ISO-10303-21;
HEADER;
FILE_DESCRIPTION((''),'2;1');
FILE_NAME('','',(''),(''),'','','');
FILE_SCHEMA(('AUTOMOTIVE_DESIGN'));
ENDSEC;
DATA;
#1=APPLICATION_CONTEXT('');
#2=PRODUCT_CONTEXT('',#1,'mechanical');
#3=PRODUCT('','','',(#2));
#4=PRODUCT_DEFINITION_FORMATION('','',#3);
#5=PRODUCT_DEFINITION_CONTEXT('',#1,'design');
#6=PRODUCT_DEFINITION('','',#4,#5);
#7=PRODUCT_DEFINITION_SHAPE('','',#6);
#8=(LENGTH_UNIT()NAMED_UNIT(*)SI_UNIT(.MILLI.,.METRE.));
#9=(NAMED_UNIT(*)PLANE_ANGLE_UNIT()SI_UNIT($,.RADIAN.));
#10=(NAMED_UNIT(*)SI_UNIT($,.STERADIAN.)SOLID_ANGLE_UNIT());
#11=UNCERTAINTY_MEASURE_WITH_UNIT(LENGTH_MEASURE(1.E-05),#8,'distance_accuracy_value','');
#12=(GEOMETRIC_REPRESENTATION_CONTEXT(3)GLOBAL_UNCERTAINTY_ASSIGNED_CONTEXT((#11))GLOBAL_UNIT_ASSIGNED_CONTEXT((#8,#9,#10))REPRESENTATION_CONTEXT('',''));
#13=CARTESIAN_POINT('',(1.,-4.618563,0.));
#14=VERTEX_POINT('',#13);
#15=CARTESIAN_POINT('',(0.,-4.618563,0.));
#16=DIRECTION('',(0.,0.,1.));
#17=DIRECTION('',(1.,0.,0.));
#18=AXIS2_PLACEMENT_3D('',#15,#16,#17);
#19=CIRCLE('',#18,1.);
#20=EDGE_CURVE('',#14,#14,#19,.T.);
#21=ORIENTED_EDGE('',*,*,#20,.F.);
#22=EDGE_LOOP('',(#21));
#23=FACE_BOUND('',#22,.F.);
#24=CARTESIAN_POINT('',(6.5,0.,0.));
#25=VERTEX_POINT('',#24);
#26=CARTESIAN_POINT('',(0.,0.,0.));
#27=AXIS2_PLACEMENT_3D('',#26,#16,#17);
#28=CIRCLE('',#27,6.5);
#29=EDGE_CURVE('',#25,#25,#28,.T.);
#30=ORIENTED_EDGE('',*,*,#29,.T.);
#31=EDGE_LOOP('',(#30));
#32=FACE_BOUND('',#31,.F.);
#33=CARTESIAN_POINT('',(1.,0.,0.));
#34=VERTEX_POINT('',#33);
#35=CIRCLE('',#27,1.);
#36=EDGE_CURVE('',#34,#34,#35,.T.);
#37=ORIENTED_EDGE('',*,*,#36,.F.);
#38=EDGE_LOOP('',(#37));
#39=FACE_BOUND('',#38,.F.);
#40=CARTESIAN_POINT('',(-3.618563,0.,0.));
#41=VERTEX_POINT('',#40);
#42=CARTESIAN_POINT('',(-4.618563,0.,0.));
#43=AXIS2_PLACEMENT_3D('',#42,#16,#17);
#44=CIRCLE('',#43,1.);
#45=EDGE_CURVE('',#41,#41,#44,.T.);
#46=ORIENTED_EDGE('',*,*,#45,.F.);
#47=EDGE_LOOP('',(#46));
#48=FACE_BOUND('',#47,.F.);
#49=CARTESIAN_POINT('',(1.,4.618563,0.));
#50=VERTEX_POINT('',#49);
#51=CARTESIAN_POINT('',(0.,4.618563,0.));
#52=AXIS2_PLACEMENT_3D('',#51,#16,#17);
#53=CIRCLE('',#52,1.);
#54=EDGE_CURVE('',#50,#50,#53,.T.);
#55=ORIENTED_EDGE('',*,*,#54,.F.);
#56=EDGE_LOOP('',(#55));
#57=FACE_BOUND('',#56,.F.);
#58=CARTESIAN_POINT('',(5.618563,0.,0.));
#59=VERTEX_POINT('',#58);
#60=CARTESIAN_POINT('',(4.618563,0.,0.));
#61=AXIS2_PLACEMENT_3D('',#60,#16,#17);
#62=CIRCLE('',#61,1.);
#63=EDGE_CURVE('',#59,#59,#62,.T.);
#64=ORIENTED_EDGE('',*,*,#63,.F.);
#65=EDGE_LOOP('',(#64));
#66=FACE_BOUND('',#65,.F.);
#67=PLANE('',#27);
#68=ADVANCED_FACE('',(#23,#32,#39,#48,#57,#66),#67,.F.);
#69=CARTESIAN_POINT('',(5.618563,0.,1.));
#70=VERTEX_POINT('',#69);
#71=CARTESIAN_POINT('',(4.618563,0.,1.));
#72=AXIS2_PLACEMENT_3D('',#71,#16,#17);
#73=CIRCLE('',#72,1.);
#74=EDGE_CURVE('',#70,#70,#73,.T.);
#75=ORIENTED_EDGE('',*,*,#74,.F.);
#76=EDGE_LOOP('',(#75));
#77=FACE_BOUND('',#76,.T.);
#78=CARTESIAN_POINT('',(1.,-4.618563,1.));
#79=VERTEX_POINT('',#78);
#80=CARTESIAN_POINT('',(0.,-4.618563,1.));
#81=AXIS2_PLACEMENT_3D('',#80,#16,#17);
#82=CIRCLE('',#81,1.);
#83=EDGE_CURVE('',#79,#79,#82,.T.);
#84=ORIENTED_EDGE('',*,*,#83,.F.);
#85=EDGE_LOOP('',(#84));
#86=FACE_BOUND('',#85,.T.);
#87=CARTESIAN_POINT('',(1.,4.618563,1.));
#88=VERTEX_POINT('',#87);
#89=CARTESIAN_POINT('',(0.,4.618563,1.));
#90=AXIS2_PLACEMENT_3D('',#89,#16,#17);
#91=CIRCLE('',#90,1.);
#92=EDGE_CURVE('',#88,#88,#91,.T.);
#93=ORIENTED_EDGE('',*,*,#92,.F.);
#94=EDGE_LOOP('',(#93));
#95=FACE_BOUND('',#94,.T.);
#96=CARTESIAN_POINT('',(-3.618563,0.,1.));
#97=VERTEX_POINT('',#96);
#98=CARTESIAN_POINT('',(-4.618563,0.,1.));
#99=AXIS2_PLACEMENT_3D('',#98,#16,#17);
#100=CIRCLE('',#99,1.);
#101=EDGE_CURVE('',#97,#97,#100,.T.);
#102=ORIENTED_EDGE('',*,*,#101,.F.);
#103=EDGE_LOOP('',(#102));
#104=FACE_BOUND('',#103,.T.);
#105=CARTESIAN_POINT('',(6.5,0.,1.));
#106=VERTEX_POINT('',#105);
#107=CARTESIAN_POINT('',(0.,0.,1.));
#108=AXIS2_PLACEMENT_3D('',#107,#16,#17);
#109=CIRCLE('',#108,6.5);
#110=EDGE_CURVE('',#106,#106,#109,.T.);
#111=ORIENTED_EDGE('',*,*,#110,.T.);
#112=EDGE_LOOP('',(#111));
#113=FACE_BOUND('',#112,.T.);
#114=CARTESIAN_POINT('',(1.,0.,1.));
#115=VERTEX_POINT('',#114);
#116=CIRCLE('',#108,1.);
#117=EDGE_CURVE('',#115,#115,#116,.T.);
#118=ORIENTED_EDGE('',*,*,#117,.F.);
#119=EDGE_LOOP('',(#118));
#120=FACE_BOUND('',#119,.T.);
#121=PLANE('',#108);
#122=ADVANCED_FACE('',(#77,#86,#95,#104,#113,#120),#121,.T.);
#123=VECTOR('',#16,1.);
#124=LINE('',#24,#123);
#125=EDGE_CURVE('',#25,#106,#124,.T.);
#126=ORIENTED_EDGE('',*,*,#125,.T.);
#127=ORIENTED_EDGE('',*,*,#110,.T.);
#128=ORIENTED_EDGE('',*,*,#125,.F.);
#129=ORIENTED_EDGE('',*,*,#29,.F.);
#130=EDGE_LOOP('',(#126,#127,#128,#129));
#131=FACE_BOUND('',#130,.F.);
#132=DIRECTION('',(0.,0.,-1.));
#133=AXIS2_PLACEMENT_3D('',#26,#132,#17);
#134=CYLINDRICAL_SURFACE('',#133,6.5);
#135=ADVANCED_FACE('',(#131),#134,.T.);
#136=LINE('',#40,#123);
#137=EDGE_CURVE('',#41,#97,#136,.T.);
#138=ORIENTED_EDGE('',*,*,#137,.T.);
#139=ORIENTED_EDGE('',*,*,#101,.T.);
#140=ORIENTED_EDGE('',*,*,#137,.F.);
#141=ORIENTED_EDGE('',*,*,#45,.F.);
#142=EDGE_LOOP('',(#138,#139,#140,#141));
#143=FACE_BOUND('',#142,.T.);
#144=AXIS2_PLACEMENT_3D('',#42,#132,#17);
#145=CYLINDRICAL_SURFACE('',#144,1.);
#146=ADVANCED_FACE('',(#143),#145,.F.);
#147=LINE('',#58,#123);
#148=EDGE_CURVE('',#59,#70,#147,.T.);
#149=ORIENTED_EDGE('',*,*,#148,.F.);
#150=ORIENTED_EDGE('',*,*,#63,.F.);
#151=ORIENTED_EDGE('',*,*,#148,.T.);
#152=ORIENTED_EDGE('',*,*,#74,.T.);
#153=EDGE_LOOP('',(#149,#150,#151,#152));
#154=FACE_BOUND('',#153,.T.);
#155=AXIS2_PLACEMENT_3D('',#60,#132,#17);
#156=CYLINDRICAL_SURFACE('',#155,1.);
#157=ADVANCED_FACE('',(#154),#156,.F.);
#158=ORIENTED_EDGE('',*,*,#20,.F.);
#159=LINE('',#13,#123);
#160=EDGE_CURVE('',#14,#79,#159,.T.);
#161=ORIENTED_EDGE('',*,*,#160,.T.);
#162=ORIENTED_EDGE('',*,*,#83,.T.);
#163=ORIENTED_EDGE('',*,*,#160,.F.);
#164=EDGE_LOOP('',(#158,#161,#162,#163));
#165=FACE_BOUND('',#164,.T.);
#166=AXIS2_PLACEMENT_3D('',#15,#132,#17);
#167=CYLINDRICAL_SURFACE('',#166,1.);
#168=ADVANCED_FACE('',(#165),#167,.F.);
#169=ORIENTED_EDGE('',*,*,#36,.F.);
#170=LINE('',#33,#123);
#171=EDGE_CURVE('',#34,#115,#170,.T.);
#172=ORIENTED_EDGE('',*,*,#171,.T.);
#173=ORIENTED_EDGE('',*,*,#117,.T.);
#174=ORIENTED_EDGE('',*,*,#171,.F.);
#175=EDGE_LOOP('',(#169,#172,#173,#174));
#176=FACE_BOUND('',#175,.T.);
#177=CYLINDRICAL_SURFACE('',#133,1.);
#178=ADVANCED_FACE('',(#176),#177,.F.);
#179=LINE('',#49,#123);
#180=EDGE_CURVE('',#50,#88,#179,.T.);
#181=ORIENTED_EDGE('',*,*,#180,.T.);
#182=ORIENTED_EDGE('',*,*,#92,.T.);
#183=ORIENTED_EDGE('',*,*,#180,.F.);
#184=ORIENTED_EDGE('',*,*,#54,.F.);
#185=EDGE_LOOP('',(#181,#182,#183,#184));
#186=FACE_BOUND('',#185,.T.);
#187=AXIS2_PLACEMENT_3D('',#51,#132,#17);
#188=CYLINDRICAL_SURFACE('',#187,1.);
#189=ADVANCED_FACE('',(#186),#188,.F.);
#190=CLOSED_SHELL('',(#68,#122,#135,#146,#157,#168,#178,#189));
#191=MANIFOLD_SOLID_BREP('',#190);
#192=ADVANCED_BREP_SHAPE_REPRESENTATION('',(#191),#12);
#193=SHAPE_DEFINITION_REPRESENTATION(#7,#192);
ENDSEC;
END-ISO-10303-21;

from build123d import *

# Parameters (mm, degrees)
F0_R     = 6.5
F0_R_2   = 1
F1_DEPTH = 1


with BuildPart() as f1:
    # F0 (on Top) → F1 (new body)
    with BuildSketch(Plane.XY):
        Circle(F0_R)
        with Locations((0, -4.618563)):
            Circle(F0_R_2, mode=Mode.SUBTRACT)
        with Locations((-4.618563, 0)):
            Circle(F0_R_2, mode=Mode.SUBTRACT)
        Circle(F0_R_2, mode=Mode.SUBTRACT)
        with Locations((4.618563, 0)):
            Circle(F0_R_2, mode=Mode.SUBTRACT)
        with Locations((0, 4.618563)):
            Circle(F0_R_2, mode=Mode.SUBTRACT)
    extrude(amount=F1_DEPTH)


solid = f1.part
